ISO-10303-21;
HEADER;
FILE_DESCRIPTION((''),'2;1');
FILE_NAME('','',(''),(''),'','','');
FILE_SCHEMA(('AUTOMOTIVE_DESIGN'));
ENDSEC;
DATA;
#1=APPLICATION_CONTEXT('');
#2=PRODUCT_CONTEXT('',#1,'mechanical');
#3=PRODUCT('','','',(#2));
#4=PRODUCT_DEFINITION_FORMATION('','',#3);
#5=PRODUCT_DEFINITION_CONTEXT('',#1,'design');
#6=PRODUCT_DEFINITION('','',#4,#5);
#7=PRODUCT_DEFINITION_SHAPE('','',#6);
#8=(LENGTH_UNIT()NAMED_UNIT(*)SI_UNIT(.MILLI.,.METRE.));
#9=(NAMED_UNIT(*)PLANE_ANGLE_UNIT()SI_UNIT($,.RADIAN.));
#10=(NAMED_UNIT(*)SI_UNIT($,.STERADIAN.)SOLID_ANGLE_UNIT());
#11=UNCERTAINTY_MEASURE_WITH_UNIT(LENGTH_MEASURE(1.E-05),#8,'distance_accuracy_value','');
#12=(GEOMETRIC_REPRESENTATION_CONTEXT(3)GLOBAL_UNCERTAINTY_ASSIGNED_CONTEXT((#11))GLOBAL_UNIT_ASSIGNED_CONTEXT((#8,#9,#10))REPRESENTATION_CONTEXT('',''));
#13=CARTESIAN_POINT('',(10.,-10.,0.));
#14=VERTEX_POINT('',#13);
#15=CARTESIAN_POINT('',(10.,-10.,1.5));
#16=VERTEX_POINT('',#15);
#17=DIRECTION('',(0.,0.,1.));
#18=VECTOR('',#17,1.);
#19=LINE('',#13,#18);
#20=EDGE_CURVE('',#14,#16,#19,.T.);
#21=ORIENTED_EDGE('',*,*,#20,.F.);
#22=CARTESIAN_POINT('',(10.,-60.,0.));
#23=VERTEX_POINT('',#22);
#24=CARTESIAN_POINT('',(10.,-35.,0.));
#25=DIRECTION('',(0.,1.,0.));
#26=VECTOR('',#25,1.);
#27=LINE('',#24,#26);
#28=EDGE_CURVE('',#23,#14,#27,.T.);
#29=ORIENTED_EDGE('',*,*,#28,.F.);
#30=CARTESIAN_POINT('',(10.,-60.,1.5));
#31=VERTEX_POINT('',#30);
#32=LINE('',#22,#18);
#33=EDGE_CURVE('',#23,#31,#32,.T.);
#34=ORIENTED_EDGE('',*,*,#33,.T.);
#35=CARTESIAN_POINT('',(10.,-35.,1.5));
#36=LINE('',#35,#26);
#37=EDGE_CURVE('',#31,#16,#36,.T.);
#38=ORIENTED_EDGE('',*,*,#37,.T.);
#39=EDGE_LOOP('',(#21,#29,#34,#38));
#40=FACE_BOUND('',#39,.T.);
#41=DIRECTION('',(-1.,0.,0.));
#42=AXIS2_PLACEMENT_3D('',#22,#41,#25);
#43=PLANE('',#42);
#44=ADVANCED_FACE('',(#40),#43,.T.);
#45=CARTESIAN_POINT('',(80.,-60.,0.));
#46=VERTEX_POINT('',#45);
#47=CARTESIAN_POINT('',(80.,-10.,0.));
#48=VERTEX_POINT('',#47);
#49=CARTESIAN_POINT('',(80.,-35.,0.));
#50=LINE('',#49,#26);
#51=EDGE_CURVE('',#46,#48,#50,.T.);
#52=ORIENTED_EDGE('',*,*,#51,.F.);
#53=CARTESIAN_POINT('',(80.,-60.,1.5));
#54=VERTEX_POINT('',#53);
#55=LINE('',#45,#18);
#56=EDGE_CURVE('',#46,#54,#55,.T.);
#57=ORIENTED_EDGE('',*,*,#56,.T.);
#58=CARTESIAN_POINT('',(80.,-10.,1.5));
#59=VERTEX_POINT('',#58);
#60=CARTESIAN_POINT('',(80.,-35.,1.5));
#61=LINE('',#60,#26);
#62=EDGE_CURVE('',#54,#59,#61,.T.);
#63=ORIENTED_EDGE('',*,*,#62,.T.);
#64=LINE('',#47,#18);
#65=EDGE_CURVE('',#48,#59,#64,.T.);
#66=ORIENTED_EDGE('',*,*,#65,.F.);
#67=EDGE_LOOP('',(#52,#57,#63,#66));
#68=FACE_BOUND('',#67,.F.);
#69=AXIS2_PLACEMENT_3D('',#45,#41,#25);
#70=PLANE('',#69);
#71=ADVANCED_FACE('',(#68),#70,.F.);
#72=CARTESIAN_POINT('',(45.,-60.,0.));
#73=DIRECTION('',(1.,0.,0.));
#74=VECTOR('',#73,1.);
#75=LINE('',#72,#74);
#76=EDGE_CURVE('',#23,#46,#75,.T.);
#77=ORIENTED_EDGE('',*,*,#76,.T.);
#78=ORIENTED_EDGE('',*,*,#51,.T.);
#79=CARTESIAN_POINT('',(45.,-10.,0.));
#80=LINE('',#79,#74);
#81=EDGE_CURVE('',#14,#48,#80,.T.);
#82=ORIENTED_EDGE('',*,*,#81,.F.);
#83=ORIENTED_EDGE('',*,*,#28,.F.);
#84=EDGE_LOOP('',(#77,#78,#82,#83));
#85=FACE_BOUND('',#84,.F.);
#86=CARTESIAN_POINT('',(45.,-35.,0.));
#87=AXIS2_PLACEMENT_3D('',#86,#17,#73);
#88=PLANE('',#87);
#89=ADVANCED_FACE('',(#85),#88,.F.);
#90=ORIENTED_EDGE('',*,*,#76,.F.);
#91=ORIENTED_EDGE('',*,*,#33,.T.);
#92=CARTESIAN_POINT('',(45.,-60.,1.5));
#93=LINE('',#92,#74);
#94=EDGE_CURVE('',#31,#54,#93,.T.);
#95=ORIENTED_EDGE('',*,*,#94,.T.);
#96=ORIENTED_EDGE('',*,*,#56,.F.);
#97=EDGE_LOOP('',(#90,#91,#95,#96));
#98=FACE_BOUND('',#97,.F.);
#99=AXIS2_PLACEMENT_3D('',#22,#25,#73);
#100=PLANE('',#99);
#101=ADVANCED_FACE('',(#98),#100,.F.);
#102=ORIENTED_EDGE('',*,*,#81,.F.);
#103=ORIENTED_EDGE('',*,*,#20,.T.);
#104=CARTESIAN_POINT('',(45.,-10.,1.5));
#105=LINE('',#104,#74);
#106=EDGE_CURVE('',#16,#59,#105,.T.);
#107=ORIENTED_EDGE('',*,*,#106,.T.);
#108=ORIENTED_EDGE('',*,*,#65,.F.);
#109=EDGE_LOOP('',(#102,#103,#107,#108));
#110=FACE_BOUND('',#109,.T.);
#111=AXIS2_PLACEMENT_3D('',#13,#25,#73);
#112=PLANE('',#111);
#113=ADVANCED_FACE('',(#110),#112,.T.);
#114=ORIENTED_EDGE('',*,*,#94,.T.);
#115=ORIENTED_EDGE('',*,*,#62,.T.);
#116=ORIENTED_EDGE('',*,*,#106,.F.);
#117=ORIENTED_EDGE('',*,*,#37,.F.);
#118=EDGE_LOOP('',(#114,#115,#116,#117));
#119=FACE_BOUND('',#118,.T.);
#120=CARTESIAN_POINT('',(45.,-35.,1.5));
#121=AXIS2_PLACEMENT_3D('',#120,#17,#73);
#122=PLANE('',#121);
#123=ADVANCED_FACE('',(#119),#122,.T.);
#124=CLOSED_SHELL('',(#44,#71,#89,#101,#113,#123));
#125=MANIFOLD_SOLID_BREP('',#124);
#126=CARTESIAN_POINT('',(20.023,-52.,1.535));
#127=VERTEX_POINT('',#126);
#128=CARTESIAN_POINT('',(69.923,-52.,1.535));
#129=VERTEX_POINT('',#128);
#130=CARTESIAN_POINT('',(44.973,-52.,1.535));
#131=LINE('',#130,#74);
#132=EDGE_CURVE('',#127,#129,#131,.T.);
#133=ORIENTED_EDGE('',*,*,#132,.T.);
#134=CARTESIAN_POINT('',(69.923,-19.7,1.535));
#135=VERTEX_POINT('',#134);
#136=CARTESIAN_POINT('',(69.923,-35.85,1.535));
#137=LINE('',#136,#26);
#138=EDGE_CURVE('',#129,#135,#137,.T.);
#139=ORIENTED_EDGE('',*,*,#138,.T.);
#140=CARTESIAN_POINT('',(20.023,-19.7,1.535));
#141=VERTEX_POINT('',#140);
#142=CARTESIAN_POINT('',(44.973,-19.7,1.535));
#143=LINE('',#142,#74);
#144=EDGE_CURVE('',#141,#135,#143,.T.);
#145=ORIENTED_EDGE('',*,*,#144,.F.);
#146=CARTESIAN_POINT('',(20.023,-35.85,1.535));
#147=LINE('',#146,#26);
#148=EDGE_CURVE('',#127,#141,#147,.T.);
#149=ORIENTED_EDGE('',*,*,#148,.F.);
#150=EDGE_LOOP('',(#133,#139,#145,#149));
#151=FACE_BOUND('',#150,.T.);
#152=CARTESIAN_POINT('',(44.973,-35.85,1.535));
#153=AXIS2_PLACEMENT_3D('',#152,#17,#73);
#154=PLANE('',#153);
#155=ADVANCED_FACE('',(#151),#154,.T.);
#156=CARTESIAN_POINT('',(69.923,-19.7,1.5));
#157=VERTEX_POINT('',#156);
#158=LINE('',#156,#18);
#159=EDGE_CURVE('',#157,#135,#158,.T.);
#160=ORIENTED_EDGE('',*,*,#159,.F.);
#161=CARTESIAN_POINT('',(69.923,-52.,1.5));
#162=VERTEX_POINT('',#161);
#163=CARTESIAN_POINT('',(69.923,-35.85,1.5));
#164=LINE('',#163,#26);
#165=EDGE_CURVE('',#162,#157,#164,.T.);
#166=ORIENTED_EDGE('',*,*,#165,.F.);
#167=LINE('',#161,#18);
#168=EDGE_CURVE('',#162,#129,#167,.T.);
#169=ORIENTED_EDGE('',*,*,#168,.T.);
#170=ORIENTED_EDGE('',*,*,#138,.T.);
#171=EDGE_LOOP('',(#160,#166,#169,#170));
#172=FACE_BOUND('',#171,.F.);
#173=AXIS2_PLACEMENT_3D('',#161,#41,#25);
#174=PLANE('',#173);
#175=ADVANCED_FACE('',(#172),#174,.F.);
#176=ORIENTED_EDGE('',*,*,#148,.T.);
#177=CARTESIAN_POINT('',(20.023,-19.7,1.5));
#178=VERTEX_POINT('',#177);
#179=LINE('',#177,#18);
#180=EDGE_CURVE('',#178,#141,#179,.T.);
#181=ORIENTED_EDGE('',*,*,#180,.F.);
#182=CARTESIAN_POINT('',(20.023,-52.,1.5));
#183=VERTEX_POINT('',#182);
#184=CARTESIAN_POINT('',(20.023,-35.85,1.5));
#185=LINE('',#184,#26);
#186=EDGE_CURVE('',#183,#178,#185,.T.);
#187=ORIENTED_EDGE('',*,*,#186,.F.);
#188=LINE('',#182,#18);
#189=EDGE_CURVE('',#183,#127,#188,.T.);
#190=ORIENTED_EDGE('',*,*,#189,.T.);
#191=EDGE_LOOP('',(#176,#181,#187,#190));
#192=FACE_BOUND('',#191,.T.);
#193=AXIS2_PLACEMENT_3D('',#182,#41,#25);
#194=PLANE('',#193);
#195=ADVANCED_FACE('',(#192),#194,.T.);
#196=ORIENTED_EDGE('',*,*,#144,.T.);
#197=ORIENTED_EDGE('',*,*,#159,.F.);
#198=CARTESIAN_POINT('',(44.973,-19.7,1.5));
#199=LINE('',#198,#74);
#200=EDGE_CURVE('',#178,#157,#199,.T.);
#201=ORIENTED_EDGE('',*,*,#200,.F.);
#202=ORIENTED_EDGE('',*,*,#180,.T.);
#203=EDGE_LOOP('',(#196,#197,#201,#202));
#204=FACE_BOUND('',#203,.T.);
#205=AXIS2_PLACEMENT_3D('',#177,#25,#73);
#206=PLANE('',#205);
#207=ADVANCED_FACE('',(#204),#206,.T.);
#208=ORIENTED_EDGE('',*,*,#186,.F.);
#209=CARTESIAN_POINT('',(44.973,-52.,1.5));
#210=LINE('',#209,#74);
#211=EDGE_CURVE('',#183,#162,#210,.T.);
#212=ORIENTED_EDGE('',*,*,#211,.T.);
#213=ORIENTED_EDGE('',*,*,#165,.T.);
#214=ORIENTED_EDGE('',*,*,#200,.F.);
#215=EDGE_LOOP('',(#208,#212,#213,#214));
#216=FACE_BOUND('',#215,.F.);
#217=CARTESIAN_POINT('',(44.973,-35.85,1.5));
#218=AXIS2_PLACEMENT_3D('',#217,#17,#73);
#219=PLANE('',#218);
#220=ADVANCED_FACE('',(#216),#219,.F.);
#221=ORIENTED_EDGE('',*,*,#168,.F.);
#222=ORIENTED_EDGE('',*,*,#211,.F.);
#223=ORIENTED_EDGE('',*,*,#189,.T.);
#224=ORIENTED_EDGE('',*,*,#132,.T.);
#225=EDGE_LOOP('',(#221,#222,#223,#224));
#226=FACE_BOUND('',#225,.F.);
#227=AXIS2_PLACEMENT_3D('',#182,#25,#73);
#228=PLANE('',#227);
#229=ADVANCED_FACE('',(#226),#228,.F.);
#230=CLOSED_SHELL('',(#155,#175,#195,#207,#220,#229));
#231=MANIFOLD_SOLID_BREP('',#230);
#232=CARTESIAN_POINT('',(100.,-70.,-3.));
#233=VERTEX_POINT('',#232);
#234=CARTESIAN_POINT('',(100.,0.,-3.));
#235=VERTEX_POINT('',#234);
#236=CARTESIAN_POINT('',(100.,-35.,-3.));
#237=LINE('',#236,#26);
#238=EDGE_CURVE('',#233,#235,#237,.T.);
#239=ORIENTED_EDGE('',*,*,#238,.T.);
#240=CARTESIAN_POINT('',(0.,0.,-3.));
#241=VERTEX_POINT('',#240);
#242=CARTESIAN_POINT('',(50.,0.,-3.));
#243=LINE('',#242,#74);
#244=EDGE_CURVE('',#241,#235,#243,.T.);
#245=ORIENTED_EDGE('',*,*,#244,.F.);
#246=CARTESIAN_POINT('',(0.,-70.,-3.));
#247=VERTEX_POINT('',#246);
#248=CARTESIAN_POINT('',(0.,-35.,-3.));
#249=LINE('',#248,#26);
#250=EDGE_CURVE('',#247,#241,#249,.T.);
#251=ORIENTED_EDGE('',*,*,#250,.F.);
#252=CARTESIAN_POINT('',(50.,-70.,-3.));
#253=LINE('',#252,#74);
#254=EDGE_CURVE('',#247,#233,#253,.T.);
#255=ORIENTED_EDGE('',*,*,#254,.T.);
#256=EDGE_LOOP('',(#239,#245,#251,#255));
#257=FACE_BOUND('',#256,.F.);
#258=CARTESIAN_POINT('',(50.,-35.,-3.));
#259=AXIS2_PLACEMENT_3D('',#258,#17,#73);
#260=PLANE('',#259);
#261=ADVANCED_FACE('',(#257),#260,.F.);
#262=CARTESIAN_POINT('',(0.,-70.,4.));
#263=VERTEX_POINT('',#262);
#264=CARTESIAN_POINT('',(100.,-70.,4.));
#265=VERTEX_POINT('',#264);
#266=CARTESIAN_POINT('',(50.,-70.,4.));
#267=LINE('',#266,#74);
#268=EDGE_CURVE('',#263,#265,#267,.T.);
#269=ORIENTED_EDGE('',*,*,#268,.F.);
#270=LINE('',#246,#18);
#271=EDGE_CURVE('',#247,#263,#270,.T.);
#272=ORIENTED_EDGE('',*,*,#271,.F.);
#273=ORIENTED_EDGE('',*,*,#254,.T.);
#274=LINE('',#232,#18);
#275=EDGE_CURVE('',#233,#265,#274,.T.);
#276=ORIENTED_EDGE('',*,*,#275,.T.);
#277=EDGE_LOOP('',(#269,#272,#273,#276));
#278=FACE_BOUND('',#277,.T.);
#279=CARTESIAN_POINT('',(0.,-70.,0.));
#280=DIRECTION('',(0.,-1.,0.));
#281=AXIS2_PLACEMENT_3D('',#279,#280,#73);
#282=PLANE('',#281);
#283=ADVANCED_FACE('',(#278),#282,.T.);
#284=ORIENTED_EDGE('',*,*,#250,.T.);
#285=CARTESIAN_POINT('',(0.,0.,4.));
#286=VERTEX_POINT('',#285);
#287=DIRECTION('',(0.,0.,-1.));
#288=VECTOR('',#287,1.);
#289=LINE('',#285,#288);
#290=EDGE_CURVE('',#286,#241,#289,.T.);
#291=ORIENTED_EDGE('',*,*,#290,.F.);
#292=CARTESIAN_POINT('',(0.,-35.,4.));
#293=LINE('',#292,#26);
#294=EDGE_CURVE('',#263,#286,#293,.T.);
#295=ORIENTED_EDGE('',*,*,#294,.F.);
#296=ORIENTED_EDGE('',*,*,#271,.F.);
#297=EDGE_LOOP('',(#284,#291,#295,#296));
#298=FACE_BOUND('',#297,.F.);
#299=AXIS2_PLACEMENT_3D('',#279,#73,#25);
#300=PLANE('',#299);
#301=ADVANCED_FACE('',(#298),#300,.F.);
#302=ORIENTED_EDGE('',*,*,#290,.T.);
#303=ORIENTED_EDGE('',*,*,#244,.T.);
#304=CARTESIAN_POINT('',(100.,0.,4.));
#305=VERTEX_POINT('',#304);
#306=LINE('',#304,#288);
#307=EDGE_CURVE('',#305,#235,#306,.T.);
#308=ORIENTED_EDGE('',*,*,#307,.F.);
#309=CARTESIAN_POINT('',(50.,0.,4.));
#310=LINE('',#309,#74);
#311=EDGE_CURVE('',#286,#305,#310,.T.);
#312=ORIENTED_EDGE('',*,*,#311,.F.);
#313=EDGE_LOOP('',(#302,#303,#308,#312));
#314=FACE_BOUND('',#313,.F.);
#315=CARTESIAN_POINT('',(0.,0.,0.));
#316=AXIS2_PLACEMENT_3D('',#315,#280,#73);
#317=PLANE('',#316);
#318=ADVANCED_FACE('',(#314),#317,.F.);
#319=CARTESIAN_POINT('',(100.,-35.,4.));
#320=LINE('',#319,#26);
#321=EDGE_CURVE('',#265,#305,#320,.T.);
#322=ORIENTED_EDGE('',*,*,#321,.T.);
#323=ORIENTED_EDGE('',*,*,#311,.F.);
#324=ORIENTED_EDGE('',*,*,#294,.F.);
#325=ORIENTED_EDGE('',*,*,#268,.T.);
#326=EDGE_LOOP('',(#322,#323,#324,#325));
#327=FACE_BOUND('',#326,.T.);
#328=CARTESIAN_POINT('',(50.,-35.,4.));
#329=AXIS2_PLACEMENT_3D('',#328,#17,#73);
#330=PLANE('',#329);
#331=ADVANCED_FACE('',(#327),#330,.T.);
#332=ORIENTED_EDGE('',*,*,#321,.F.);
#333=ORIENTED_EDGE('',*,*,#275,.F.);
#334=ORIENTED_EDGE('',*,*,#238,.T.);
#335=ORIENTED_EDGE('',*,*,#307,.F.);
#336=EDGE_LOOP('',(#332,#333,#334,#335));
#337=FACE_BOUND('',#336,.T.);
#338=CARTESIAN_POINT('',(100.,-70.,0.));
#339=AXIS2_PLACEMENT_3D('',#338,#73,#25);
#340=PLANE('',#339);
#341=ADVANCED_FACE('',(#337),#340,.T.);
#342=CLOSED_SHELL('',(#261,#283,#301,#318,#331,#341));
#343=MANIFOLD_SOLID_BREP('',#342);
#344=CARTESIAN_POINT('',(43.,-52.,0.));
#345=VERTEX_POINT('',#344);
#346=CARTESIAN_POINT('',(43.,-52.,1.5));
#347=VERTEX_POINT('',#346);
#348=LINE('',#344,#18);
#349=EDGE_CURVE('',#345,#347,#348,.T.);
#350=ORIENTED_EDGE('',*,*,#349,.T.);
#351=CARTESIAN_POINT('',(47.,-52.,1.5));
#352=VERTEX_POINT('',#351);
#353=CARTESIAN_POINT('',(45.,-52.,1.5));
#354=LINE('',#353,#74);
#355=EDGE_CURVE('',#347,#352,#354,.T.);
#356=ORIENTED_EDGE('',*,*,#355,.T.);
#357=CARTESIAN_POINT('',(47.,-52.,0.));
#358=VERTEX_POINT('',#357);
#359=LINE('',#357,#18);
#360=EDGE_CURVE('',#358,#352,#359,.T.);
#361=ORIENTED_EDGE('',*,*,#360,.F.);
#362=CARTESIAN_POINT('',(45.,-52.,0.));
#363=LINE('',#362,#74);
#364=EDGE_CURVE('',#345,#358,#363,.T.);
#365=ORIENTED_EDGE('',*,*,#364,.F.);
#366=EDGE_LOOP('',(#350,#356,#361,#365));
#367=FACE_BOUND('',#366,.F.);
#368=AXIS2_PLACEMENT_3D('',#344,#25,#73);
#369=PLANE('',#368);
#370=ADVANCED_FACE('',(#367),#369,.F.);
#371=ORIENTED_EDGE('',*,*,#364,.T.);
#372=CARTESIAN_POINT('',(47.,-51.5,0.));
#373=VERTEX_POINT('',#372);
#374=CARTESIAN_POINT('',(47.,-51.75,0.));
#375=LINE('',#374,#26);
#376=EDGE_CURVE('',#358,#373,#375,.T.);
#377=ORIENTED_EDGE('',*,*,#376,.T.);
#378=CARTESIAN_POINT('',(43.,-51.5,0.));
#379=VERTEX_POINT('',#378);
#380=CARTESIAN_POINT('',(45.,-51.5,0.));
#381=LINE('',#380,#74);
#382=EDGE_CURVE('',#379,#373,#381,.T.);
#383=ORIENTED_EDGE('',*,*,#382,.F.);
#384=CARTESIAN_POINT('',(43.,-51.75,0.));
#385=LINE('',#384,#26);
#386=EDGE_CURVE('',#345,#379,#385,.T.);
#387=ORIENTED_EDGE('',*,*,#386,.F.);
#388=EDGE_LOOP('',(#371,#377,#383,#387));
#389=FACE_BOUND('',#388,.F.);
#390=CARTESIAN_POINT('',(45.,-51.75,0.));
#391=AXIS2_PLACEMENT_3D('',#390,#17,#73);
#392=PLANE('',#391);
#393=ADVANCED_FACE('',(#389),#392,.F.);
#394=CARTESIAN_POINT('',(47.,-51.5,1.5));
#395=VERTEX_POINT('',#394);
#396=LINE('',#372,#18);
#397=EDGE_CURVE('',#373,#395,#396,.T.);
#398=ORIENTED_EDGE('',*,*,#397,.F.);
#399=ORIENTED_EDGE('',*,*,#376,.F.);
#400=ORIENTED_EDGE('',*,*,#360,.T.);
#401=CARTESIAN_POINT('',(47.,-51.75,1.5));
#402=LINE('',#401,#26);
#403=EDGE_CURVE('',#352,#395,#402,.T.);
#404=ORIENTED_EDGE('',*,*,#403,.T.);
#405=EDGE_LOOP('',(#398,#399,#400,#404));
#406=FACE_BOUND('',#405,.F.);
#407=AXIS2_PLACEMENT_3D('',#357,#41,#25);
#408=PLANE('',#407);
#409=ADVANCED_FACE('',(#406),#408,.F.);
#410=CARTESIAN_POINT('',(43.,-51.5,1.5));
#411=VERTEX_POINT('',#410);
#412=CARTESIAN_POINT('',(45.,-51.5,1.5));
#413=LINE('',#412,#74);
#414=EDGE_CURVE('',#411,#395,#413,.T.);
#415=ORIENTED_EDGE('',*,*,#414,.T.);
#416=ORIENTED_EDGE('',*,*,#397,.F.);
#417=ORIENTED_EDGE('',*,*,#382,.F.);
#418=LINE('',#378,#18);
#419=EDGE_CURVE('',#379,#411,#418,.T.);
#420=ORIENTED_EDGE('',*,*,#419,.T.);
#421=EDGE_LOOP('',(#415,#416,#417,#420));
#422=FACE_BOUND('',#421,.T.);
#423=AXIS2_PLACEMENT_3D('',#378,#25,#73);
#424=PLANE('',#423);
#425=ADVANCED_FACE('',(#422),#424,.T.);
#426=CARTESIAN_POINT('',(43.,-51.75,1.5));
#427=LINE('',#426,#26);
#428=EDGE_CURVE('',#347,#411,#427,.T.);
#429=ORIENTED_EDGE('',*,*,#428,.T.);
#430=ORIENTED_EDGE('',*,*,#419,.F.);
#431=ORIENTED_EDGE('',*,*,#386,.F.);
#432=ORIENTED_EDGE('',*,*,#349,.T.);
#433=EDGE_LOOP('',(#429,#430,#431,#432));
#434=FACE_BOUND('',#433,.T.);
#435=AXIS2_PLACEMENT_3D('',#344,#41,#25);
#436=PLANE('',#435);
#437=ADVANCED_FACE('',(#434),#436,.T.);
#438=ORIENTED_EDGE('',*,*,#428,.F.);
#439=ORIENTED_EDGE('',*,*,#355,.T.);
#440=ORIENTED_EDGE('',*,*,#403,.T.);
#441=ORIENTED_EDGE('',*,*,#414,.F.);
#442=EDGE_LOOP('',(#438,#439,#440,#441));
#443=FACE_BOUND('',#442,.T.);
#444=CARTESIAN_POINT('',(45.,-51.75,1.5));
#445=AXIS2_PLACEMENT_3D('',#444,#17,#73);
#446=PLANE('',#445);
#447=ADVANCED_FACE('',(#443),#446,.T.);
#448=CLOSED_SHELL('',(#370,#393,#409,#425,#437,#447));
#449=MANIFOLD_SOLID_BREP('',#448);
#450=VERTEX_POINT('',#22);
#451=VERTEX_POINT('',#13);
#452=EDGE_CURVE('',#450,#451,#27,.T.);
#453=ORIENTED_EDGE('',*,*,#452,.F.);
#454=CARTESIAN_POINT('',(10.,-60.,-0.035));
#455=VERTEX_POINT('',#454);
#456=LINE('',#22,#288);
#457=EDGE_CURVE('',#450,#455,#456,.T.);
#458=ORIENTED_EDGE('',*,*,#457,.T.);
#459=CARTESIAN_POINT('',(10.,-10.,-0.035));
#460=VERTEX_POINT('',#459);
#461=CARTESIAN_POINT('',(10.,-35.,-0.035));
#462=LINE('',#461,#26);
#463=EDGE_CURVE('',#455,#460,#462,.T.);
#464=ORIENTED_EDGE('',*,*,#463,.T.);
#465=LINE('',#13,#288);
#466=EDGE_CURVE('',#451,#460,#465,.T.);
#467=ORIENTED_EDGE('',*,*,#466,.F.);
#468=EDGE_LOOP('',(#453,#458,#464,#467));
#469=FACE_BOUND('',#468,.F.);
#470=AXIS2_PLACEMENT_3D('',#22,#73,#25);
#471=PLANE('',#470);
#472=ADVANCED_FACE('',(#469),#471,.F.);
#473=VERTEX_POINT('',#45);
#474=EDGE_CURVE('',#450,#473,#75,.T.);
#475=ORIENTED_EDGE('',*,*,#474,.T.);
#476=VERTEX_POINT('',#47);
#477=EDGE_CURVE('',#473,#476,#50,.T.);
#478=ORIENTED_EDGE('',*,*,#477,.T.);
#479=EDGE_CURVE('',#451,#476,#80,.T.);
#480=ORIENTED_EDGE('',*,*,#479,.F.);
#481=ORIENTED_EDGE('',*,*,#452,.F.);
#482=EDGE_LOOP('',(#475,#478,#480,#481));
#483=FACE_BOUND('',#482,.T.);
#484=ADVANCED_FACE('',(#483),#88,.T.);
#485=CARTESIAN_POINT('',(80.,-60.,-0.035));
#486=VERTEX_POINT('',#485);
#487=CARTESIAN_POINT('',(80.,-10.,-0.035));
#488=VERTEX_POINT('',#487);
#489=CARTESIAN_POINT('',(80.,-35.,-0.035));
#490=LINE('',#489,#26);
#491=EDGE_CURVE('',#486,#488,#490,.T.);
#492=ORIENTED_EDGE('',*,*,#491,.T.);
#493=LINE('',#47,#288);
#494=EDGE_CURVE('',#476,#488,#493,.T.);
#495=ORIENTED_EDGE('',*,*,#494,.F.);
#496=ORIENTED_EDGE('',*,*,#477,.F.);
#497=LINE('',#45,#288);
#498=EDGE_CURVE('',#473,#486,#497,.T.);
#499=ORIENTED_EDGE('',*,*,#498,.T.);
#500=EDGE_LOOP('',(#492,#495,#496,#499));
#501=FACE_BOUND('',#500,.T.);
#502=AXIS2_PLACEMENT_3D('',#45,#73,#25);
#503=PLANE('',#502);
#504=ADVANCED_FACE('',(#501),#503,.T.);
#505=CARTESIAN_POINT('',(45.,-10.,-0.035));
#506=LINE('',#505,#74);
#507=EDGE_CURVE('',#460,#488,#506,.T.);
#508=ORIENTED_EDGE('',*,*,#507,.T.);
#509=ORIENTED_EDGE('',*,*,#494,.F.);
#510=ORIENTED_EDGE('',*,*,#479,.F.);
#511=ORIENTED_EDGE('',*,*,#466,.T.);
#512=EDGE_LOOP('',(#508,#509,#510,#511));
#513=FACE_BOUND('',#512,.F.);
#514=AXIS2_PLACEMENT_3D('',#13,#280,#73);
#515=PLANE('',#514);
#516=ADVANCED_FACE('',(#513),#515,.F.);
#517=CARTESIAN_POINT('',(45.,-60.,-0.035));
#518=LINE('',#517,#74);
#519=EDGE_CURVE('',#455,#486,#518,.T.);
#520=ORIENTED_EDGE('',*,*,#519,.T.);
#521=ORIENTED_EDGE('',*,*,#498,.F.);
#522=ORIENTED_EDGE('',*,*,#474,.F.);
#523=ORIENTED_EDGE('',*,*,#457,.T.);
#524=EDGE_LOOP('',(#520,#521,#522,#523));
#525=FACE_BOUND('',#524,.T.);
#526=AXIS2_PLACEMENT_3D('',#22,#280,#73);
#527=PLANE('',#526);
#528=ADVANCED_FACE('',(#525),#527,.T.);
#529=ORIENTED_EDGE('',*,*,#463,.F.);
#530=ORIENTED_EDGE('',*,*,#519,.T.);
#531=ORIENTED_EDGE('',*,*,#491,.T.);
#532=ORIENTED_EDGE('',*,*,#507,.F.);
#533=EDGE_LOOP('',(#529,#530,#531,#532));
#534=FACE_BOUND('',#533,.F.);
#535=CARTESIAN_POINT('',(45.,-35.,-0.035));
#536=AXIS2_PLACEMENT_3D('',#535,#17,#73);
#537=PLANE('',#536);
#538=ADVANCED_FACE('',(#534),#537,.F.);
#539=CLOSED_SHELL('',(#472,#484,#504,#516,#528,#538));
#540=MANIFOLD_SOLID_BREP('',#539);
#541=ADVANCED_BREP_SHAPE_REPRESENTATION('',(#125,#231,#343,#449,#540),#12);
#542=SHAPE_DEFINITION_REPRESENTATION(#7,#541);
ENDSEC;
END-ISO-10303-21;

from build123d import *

# Parameters (mm, degrees)
RECTANGLE003_W   = 70
RECTANGLE003_H   = 50
EXTRUDE_DEPTH    = 1.5
RECTANGLE001_W   = 4
RECTANGLE001_H   = 0.5
EXTRUDE001_DEPTH = 1.5
RECTANGLE005_W   = 100
RECTANGLE005_H   = 70
EXTRUDE003_DEPTH = 3
RECTANGLE004_W   = 100
RECTANGLE004_H   = 70
EXTRUDE002_DEPTH = 4
RECTANGLE_W      = 49.9
RECTANGLE_H      = 32.3
EXTRUDE004_DEPTH = 0.035
RECTANGLE002_W   = 70
RECTANGLE002_H   = 50
EXTRUDE005_DEPTH = 0.035


with BuildPart() as substrate_box:
    # Rectangle003 → Extrude (new body)
    with BuildSketch(Plane(origin=(10, -60, 0), x_dir=(1, 0, 0), z_dir=(0, 0, 1))):
        with Locations((35, 25)):
            Rectangle(RECTANGLE003_W, RECTANGLE003_H)
    extrude(amount=EXTRUDE_DEPTH)


with BuildPart() as excitation_box:
    # Rectangle001 → Extrude001 (new body)
    with BuildSketch(Plane(origin=(43, -52, 0), x_dir=(1, 0, 0), z_dir=(0, 0, 1))):
        with Locations((2, 0.25)):
            Rectangle(RECTANGLE001_W, RECTANGLE001_H)
    extrude(amount=EXTRUDE001_DEPTH)


with BuildPart() as air_box_bottom:
    # Rectangle005 → Extrude003 (new body)
    with BuildSketch(Plane(origin=(0, -70, 0), x_dir=(1, 0, 0), z_dir=(0, 0, 1))):
        with Locations((50, 35)):
            Rectangle(RECTANGLE005_W, RECTANGLE005_H)
    extrude(amount=-EXTRUDE003_DEPTH)


with BuildPart() as air_box:
    # Rectangle004 → Extrude002 (new body)
    with BuildSketch(Plane(origin=(0, -70, 0), x_dir=(1, 0, 0), z_dir=(0, 0, 1))):
        with Locations((50, 35)):
            Rectangle(RECTANGLE004_W, RECTANGLE004_H)
    extrude(amount=EXTRUDE002_DEPTH)

    # Fusion: union air box bottom
    add(air_box_bottom.part)


with BuildPart() as atnenna:
    # Rectangle → Extrude004 (new body)
    with BuildSketch(Plane(origin=(20.023, -52, 1.5), x_dir=(1, 0, 0), z_dir=(0, 0, 1))):
        with Locations((24.95, 16.15)):
            Rectangle(RECTANGLE_W, RECTANGLE_H)
    extrude(amount=EXTRUDE004_DEPTH)


with BuildPart() as gnd001:
    # Rectangle002 → Extrude005 (new body)
    with BuildSketch(Plane(origin=(10, -60, 0), x_dir=(1, 0, 0), z_dir=(0, 0, 1))):
        with Locations((35, 25)):
            Rectangle(RECTANGLE002_W, RECTANGLE002_H)
    extrude(amount=-EXTRUDE005_DEPTH)


solid = Compound([substrate_box.part, excitation_box.part, air_box.part, atnenna.part, gnd001.part])
